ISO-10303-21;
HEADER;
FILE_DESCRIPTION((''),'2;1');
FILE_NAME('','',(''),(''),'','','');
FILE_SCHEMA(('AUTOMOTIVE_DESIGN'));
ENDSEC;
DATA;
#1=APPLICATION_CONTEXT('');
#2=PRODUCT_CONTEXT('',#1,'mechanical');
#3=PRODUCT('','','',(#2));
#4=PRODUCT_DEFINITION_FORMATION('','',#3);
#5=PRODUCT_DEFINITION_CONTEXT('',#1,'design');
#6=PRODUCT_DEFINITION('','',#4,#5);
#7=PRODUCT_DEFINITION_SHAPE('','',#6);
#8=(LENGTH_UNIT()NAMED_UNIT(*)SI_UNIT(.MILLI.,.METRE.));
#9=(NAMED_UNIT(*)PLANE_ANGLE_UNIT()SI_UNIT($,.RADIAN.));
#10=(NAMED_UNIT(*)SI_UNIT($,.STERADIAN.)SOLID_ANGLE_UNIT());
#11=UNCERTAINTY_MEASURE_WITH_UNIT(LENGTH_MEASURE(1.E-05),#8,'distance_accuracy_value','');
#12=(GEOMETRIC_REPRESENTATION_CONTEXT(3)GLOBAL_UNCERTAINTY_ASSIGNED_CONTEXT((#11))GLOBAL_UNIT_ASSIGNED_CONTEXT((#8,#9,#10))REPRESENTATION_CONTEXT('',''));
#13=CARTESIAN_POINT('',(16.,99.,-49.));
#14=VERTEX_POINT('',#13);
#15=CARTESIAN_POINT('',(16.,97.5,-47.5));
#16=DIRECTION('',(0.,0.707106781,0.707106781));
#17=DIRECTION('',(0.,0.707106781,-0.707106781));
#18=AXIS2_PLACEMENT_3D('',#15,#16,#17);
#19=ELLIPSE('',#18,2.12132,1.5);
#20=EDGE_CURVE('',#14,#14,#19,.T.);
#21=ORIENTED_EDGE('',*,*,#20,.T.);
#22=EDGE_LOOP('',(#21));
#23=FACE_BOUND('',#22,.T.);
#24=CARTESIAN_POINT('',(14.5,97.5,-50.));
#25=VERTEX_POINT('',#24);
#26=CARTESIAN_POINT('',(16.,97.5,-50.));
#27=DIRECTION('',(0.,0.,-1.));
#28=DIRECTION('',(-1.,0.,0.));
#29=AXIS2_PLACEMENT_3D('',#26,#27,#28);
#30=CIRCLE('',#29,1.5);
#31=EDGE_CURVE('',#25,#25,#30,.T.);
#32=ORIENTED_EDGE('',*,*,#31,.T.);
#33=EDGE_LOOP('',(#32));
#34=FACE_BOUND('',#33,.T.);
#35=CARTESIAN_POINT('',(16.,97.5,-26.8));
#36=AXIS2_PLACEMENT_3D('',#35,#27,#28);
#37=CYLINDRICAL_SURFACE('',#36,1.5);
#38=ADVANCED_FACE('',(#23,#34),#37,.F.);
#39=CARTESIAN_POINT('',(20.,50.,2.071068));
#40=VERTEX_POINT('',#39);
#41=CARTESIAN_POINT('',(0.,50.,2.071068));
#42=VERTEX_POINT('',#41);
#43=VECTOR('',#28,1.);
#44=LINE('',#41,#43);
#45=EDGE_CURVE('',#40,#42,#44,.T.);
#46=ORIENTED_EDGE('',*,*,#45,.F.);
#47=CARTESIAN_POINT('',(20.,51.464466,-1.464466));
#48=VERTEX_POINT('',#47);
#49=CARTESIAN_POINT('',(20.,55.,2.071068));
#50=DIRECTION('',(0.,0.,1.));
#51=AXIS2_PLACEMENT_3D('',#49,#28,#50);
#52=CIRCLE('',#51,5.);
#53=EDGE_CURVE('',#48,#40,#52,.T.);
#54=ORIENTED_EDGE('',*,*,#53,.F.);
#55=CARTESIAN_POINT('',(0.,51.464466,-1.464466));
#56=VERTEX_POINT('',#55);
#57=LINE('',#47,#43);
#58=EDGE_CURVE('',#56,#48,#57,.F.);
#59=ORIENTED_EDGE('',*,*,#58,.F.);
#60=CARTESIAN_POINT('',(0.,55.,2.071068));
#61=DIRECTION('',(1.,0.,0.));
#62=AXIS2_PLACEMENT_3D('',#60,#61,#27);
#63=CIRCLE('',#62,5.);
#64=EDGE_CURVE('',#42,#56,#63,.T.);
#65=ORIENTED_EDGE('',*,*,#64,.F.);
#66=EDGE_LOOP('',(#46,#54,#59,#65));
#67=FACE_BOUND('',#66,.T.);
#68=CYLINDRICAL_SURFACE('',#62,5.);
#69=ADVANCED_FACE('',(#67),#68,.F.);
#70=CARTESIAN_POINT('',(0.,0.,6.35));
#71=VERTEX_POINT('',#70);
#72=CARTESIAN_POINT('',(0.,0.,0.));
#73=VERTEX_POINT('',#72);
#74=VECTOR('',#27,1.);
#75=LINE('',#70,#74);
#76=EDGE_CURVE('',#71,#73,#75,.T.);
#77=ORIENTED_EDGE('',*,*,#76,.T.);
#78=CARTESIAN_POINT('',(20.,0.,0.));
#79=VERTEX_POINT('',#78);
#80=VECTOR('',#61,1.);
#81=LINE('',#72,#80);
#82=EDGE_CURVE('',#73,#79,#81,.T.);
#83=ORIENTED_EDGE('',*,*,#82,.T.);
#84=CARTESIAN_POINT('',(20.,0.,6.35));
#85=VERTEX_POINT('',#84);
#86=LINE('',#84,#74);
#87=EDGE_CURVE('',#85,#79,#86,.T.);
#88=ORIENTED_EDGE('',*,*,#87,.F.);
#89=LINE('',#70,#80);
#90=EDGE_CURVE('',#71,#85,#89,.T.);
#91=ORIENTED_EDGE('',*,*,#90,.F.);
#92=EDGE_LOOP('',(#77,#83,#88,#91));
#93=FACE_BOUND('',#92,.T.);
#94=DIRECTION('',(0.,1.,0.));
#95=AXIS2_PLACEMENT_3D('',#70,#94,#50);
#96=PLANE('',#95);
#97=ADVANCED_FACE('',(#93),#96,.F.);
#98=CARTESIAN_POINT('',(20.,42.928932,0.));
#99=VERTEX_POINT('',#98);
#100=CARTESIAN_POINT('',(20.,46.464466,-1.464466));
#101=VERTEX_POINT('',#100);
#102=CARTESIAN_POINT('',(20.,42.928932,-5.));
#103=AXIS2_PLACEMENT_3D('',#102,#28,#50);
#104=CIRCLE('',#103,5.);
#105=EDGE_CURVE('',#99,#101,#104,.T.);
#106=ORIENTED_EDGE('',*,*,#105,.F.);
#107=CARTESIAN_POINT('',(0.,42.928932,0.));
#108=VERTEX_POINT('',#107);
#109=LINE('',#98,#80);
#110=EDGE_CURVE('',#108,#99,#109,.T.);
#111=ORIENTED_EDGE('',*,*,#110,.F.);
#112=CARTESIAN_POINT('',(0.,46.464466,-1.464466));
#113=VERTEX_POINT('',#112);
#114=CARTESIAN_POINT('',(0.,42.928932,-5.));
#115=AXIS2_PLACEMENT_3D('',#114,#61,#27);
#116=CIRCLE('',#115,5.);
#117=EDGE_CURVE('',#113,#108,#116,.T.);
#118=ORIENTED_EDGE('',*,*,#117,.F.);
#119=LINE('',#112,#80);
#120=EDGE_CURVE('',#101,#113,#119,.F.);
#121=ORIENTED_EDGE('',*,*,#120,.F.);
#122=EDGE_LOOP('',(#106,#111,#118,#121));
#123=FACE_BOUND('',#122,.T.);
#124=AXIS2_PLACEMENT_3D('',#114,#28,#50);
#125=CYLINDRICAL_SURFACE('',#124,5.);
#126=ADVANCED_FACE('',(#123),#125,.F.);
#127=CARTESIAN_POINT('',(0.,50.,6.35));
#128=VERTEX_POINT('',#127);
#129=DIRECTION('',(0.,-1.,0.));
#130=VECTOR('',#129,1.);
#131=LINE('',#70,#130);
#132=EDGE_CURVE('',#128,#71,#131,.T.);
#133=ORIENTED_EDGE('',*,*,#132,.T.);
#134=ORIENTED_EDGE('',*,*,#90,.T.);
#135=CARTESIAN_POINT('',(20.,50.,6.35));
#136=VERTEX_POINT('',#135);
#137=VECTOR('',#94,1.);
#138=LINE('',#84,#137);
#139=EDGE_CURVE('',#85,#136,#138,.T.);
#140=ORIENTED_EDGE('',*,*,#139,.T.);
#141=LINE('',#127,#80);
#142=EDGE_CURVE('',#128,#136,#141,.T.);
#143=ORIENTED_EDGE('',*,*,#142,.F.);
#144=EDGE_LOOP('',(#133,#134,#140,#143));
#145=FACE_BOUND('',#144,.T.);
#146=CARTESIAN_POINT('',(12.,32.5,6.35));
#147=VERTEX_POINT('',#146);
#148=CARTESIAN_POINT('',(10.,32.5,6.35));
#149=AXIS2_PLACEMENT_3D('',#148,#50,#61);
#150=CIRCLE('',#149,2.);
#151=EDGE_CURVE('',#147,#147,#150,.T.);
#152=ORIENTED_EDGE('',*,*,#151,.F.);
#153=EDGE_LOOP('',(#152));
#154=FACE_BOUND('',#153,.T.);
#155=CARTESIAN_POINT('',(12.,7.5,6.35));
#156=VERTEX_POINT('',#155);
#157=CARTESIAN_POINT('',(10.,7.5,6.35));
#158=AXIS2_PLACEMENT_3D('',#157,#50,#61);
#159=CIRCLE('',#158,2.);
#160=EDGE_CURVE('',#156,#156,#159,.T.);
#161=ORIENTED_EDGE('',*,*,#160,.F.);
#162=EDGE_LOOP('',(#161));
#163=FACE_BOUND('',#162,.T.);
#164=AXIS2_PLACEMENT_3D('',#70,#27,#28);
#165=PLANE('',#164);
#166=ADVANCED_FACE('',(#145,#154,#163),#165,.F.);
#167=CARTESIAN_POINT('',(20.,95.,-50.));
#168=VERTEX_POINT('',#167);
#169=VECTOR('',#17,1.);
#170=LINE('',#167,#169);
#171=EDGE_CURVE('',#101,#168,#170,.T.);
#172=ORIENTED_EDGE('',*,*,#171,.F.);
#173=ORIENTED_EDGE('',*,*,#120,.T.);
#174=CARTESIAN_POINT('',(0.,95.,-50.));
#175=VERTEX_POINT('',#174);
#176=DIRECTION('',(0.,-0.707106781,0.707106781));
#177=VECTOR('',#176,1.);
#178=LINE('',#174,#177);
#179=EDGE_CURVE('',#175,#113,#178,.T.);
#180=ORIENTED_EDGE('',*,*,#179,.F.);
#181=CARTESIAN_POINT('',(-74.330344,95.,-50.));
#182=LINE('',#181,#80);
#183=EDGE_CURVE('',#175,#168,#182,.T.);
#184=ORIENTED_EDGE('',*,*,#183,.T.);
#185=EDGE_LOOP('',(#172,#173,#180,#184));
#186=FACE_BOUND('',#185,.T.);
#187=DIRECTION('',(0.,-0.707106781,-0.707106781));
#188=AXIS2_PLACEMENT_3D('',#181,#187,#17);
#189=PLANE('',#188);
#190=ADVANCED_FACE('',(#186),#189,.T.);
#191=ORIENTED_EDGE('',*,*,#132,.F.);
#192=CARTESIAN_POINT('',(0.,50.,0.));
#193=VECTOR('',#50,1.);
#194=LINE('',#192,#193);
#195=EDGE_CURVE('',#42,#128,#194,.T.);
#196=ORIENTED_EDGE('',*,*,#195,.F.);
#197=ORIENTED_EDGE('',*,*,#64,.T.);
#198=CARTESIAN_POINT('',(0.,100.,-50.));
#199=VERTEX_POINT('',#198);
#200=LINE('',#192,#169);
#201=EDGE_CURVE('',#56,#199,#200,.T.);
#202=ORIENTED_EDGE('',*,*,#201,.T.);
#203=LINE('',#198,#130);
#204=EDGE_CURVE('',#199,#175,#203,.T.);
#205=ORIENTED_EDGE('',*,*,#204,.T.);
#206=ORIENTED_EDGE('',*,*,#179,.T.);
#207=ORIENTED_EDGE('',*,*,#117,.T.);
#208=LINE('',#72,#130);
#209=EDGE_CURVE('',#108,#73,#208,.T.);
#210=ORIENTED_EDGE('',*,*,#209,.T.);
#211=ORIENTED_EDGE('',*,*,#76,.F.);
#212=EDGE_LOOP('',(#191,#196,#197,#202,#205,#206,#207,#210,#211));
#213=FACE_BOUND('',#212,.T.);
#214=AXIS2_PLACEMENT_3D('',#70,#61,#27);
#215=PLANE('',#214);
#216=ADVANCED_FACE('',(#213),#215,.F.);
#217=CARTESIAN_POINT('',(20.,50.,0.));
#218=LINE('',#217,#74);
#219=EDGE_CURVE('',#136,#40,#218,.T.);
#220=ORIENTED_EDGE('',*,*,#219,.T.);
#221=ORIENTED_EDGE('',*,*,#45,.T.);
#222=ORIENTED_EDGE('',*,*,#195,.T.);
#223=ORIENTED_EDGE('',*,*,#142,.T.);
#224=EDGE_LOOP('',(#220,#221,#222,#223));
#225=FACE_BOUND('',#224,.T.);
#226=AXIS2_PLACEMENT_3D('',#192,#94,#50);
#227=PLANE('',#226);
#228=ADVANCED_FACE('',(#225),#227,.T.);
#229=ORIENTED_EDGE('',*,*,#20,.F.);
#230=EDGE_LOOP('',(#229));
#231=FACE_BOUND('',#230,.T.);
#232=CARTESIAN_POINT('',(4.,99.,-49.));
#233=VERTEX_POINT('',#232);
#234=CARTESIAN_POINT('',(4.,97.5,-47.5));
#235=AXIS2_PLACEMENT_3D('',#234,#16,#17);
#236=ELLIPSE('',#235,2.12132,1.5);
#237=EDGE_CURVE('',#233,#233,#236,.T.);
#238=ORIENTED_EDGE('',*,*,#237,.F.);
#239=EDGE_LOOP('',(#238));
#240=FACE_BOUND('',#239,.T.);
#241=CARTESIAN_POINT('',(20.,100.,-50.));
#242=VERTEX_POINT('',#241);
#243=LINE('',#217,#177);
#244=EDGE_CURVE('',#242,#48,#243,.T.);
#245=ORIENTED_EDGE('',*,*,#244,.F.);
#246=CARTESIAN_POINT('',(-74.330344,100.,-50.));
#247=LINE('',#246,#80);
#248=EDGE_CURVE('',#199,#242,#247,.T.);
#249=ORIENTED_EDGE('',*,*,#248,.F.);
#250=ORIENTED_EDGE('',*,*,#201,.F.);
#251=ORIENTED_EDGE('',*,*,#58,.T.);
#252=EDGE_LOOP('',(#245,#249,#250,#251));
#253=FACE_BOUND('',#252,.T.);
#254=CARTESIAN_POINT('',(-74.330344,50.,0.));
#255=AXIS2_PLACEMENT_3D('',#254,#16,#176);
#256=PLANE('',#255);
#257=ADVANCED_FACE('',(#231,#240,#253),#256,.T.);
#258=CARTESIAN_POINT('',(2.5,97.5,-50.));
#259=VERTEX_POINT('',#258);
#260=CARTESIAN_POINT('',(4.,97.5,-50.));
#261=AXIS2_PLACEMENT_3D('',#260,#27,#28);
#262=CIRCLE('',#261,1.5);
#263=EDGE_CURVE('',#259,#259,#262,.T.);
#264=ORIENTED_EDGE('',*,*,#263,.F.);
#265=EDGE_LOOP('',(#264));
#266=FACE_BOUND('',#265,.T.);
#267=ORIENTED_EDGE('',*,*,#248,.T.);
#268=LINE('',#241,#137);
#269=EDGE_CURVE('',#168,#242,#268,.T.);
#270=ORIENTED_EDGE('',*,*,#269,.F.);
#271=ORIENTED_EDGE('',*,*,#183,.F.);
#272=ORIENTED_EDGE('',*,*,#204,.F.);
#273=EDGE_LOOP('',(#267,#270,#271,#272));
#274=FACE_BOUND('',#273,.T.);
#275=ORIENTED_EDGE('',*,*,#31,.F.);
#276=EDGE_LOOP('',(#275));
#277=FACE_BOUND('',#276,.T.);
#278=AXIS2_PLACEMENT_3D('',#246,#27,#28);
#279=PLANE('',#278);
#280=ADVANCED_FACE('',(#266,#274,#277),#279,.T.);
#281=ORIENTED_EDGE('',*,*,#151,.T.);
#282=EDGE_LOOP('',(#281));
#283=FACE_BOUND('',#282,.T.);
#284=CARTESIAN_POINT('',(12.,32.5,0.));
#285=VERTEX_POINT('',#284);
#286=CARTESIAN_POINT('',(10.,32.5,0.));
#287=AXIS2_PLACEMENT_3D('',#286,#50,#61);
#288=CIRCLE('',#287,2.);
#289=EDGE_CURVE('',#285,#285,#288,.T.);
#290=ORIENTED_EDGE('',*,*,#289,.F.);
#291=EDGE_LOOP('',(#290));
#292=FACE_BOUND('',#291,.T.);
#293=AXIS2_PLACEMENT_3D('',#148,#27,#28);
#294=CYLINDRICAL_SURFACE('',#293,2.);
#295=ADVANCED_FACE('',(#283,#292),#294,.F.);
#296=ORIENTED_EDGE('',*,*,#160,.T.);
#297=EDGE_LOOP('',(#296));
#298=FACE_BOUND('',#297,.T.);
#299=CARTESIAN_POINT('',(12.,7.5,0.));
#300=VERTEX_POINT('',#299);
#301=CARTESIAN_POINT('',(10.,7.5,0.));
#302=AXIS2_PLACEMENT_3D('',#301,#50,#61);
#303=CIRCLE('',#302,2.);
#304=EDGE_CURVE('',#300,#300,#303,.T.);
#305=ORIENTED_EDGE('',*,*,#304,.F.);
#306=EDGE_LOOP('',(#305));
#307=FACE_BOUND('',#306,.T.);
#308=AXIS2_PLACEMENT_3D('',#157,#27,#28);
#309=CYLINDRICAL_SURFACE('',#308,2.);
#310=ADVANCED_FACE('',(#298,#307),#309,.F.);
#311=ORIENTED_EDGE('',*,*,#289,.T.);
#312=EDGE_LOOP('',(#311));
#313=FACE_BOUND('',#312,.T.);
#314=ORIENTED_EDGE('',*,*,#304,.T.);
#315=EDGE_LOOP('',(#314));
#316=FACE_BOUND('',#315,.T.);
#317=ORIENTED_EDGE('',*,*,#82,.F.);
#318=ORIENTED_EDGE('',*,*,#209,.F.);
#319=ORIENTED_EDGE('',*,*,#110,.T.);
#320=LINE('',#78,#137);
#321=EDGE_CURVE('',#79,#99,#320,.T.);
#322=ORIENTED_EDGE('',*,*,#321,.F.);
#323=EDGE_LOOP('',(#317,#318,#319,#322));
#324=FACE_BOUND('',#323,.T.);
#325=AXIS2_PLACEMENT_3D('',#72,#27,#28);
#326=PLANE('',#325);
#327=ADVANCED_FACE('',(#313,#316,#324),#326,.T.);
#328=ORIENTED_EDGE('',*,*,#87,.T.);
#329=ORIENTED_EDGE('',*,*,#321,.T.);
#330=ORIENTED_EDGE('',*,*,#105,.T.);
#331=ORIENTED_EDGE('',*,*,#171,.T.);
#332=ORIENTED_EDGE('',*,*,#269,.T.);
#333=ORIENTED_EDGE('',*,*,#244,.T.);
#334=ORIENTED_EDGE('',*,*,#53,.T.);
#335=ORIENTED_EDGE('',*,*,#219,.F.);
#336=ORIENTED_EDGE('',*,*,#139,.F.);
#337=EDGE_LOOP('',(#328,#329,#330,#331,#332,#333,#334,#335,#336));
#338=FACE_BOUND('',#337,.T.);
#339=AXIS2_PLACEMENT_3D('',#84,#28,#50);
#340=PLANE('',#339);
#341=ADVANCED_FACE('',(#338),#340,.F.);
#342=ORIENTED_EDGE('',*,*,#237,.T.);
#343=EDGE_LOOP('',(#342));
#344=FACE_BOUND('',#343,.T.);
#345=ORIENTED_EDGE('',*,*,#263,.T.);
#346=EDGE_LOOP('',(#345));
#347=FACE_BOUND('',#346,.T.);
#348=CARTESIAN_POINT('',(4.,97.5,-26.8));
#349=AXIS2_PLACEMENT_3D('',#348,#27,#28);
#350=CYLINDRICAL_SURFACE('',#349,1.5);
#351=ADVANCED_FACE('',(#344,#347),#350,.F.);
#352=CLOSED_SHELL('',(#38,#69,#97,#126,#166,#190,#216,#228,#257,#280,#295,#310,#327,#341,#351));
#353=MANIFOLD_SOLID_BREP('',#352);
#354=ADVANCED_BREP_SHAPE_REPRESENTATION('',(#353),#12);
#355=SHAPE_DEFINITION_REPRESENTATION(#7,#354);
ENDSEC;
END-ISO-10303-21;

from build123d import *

# Parameters (mm, degrees)
SKETCH1_W           = 20
SKETCH1_H           = 40
SKETCH1_R           = 2
BOSS_EXTRUDE1_DEPTH = 6.35
SKETCH2_W           = 20
SKETCH2_H           = 6.35
BOSS_EXTRUDE2_DEPTH = 10
BOSS_EXTRUDE3_DEPTH = 20
SKETCH4_R           = 1.5
CUT_EXTRUDE1_DEPTH  = 23.2
FILLET1_R           = 5


with BuildPart() as part:
    # Sketch1 → Boss-Extrude1 (new body)
    with BuildSketch(Plane.XY):
        with Locations((10, 20)):
            Rectangle(SKETCH1_W, SKETCH1_H)
        with Locations((10, 32.5)):
            Circle(SKETCH1_R, mode=Mode.SUBTRACT)
        with Locations((10, 7.5)):
            Circle(SKETCH1_R, mode=Mode.SUBTRACT)
    extrude(amount=BOSS_EXTRUDE1_DEPTH)

    # Sketch2 → Boss-Extrude2 (add)
    with BuildSketch(Plane(origin=(0, 40, 0), x_dir=(1, 0, 0), z_dir=(0, 1, 0))):
        with Locations((10, -3.175)):
            Rectangle(SKETCH2_W, SKETCH2_H)
    extrude(amount=BOSS_EXTRUDE2_DEPTH)

    # Sketch3 → Boss-Extrude3 (add)
    with BuildSketch(Plane(origin=(20, 0, 0), x_dir=(0, 0, -1), z_dir=(1, 0, 0))):
        Polygon((50, 100), (50, 95), (0, 45), (0, 50), align=None)
    extrude(amount=-BOSS_EXTRUDE3_DEPTH)

    # Sketch4 → Cut-Extrude1 (cut)
    with BuildSketch(Plane(origin=(0, 0, -50), x_dir=(-1, 0, 0), z_dir=(0, 0, -1))):
        with Locations((-16, 97.5)):
            Circle(SKETCH4_R)
        with Locations((-4, 97.5)):
            Circle(SKETCH4_R)
    extrude(amount=-CUT_EXTRUDE1_DEPTH, mode=Mode.SUBTRACT)

    # Fillet1
    fillet1_edges = [part.edges().sort_by_distance(p)[0] for p in [
        (10, 50, 0),
        (10, 45, 0),
    ]]
    fillet(fillet1_edges, radius=FILLET1_R)


solid = part.part
